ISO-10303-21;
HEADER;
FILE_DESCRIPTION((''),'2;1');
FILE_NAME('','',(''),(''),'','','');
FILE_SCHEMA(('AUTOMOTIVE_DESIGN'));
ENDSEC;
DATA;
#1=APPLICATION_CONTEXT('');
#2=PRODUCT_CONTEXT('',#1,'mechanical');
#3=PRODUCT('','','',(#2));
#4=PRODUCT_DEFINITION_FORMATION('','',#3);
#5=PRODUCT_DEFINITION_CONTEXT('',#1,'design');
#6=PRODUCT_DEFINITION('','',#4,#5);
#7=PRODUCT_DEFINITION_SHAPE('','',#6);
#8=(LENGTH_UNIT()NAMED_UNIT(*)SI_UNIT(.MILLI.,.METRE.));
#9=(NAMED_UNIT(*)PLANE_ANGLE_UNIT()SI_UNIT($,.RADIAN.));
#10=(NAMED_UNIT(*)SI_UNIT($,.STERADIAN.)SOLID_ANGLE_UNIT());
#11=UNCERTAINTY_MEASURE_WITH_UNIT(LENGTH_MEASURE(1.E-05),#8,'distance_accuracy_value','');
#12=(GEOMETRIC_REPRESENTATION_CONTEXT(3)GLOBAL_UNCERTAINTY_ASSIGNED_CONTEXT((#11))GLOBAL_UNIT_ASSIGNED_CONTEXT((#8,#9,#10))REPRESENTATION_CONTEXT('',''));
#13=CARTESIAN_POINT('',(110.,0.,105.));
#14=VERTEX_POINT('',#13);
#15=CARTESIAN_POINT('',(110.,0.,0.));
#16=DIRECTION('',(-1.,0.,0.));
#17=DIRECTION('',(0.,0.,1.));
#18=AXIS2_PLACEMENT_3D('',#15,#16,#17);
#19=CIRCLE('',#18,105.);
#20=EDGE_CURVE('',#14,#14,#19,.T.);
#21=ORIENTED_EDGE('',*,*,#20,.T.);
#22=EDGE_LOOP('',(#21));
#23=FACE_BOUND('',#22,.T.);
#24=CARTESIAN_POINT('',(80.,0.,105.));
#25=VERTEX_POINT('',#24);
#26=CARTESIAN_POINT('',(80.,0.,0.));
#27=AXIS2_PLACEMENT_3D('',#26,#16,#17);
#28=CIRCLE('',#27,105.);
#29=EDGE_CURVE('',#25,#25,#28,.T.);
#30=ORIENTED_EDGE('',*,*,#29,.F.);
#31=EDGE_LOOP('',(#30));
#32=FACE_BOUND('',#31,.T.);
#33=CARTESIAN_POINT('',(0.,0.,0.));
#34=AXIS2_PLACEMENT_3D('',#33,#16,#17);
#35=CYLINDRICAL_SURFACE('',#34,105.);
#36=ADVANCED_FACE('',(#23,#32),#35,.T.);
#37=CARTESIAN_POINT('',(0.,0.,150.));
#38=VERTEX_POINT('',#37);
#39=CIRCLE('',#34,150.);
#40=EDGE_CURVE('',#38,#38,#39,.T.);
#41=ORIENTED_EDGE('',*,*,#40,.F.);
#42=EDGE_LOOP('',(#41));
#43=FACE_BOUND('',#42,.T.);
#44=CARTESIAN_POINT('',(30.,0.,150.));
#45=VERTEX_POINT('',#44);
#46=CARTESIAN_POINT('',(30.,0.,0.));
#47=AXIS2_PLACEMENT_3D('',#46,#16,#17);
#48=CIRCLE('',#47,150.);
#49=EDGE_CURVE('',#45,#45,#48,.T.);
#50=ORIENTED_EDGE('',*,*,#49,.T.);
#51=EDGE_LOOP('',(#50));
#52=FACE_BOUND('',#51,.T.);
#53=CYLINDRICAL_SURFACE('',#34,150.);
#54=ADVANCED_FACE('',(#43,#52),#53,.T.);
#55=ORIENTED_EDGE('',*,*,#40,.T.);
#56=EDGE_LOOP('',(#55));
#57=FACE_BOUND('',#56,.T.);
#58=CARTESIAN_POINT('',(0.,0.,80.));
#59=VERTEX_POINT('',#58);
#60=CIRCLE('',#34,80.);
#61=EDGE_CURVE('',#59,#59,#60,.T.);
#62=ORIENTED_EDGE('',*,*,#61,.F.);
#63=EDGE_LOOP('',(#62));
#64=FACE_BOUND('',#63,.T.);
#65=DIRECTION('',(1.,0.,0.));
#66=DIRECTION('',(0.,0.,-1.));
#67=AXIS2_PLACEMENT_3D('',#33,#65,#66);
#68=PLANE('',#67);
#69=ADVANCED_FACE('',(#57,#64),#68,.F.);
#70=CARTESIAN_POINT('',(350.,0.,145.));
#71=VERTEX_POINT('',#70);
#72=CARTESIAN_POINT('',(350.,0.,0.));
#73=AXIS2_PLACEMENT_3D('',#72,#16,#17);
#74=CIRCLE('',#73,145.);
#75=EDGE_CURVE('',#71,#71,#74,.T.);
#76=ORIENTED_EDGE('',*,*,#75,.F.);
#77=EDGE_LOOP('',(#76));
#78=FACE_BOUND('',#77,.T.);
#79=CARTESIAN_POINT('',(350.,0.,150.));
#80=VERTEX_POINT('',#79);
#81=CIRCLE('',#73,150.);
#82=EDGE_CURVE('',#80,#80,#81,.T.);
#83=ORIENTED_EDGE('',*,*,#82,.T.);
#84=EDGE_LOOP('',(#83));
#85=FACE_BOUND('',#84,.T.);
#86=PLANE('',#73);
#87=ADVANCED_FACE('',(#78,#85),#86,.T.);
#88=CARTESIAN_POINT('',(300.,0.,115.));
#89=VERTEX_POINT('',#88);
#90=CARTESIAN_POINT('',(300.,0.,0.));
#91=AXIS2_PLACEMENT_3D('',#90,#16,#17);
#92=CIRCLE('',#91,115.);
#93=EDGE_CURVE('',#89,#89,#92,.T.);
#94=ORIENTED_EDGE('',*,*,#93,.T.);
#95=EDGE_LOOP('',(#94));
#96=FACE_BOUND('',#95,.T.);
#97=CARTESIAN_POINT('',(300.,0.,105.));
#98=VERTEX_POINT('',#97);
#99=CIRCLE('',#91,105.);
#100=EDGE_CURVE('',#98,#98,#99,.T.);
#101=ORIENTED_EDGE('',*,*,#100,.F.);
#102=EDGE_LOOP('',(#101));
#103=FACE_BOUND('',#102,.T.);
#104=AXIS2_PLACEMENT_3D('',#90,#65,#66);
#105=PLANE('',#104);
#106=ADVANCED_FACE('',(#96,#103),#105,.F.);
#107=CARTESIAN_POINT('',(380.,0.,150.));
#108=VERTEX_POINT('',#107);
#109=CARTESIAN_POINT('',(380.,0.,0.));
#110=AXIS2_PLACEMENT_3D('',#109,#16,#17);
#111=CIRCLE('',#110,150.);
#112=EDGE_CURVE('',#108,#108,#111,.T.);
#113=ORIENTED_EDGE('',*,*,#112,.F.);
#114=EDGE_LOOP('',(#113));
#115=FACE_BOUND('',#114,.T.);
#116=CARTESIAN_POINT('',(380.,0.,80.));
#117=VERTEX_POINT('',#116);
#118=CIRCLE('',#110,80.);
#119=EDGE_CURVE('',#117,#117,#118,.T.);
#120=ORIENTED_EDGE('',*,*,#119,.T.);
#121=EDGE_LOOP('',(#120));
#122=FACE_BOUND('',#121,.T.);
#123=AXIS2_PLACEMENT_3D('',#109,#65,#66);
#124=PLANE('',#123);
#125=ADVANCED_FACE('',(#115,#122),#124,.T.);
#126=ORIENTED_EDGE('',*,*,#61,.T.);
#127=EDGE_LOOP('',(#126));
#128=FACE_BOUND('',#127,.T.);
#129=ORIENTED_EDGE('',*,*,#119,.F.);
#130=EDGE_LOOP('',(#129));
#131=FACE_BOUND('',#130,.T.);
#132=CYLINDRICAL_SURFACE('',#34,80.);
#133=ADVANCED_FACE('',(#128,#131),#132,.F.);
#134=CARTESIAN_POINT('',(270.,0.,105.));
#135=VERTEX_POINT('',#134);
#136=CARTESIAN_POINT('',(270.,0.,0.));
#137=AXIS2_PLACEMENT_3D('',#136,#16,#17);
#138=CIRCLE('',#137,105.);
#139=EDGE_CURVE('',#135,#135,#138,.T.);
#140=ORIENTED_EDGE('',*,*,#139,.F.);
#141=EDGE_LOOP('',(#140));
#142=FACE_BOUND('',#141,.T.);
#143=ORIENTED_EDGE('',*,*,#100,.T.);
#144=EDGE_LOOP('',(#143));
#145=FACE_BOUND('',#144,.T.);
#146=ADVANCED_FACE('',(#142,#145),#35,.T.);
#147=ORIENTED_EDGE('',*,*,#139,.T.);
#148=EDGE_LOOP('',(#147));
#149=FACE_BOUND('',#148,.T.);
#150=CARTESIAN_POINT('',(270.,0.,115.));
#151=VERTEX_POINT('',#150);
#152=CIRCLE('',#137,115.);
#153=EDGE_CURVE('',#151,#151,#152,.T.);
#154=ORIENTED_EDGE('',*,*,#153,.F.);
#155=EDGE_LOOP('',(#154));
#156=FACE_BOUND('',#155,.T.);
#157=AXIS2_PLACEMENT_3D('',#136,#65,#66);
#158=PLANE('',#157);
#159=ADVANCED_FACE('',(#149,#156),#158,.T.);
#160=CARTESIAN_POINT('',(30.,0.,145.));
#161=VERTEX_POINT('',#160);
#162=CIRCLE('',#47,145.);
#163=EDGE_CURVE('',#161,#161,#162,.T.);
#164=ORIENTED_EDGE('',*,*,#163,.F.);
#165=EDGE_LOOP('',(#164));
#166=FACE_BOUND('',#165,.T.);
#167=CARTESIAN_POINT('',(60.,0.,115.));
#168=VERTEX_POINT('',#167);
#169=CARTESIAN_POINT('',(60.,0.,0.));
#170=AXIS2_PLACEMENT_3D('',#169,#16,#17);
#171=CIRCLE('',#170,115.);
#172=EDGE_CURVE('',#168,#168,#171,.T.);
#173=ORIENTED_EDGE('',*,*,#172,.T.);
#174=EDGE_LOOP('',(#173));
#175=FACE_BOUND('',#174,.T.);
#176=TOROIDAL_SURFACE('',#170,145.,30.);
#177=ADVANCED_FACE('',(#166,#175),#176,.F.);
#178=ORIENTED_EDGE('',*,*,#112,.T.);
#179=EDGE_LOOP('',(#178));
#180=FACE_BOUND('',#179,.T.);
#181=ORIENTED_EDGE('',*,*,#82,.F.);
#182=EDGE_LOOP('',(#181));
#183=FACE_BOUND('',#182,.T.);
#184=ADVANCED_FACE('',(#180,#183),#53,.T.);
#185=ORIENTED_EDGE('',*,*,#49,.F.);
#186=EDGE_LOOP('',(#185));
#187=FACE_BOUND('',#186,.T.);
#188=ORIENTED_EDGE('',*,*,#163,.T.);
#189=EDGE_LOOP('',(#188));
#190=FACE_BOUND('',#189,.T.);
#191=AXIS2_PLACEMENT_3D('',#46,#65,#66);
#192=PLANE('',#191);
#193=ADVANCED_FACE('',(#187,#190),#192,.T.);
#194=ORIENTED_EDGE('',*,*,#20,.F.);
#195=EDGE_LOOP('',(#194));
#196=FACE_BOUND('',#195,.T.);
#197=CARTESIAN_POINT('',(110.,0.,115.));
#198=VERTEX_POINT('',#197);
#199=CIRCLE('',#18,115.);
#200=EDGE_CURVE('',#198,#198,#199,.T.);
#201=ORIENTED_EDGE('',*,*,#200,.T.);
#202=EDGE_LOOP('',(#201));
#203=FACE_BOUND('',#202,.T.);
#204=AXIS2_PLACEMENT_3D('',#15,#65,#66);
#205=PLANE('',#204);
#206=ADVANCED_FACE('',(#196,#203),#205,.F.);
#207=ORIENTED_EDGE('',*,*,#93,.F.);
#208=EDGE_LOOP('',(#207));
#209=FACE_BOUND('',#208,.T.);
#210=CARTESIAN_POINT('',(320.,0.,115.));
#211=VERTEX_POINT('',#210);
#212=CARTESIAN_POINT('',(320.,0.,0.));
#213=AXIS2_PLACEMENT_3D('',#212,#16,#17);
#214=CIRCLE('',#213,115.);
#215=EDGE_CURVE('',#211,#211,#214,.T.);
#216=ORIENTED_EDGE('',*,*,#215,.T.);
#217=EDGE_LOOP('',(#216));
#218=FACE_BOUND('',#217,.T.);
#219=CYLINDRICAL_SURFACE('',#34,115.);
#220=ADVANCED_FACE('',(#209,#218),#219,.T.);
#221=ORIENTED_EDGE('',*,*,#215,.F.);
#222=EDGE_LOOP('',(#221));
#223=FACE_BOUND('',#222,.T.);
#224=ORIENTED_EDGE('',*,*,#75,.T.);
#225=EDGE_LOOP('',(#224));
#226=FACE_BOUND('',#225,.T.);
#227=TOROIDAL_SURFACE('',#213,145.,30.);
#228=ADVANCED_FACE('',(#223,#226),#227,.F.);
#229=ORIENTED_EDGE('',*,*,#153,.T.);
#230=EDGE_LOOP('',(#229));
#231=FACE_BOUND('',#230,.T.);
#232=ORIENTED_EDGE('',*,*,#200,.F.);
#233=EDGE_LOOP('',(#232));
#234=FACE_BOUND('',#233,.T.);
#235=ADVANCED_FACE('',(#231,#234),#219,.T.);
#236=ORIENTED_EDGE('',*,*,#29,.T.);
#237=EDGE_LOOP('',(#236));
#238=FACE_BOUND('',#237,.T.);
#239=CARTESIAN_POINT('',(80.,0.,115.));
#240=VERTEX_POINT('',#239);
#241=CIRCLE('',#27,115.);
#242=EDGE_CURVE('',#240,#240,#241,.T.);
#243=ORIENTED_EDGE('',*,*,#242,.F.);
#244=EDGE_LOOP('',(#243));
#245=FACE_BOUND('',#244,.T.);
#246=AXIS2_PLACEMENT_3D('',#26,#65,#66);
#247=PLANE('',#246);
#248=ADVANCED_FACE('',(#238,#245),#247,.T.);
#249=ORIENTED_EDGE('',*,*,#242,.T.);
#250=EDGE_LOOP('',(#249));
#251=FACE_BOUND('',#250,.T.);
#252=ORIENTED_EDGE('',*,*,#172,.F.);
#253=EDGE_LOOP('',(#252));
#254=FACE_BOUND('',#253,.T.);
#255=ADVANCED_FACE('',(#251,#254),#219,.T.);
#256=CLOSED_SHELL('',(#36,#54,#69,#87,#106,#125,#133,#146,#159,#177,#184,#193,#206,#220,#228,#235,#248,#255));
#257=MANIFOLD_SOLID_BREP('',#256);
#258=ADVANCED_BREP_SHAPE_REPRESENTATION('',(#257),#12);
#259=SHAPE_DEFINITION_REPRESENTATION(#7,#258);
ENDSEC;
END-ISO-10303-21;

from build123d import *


with BuildPart() as part:
    # Esquisse2 → Révolution1 (revolve)
    with BuildSketch(Plane.XY, mode=Mode.PRIVATE) as r_volution1_sk:
        with BuildLine():
            Line((380, 150), (380, 80))
            Line((380, 80), (0, 80))
            Line((0, 80), (0, 150))
            Line((0, 150), (30, 150))
            Line((30, 150), (30, 145))
            ThreePointArc((30, 145), (38.786796564, 123.786796564), (60, 115))
            Line((60, 115), (80, 115))
            Line((80, 115), (80, 105))
            Line((80, 105), (110, 105))
            Line((110, 105), (110, 115))
            Line((110, 115), (270, 115))
            Line((270, 115), (270, 105))
            Line((270, 105), (300, 105))
            Line((300, 105), (300, 115))
            Line((300, 115), (320, 115))
            ThreePointArc((320, 115), (341.213203436, 123.786796564), (350, 145))
            Line((350, 145), (350, 150))
            Line((350, 150), (380, 150))
        make_face()
    revolve(r_volution1_sk.sketch.rotate(Axis((0, 0, 0), (1, 0, 0)), 90), axis=Axis((0, 0, 0), (1, 0, 0)))


solid = part.part
